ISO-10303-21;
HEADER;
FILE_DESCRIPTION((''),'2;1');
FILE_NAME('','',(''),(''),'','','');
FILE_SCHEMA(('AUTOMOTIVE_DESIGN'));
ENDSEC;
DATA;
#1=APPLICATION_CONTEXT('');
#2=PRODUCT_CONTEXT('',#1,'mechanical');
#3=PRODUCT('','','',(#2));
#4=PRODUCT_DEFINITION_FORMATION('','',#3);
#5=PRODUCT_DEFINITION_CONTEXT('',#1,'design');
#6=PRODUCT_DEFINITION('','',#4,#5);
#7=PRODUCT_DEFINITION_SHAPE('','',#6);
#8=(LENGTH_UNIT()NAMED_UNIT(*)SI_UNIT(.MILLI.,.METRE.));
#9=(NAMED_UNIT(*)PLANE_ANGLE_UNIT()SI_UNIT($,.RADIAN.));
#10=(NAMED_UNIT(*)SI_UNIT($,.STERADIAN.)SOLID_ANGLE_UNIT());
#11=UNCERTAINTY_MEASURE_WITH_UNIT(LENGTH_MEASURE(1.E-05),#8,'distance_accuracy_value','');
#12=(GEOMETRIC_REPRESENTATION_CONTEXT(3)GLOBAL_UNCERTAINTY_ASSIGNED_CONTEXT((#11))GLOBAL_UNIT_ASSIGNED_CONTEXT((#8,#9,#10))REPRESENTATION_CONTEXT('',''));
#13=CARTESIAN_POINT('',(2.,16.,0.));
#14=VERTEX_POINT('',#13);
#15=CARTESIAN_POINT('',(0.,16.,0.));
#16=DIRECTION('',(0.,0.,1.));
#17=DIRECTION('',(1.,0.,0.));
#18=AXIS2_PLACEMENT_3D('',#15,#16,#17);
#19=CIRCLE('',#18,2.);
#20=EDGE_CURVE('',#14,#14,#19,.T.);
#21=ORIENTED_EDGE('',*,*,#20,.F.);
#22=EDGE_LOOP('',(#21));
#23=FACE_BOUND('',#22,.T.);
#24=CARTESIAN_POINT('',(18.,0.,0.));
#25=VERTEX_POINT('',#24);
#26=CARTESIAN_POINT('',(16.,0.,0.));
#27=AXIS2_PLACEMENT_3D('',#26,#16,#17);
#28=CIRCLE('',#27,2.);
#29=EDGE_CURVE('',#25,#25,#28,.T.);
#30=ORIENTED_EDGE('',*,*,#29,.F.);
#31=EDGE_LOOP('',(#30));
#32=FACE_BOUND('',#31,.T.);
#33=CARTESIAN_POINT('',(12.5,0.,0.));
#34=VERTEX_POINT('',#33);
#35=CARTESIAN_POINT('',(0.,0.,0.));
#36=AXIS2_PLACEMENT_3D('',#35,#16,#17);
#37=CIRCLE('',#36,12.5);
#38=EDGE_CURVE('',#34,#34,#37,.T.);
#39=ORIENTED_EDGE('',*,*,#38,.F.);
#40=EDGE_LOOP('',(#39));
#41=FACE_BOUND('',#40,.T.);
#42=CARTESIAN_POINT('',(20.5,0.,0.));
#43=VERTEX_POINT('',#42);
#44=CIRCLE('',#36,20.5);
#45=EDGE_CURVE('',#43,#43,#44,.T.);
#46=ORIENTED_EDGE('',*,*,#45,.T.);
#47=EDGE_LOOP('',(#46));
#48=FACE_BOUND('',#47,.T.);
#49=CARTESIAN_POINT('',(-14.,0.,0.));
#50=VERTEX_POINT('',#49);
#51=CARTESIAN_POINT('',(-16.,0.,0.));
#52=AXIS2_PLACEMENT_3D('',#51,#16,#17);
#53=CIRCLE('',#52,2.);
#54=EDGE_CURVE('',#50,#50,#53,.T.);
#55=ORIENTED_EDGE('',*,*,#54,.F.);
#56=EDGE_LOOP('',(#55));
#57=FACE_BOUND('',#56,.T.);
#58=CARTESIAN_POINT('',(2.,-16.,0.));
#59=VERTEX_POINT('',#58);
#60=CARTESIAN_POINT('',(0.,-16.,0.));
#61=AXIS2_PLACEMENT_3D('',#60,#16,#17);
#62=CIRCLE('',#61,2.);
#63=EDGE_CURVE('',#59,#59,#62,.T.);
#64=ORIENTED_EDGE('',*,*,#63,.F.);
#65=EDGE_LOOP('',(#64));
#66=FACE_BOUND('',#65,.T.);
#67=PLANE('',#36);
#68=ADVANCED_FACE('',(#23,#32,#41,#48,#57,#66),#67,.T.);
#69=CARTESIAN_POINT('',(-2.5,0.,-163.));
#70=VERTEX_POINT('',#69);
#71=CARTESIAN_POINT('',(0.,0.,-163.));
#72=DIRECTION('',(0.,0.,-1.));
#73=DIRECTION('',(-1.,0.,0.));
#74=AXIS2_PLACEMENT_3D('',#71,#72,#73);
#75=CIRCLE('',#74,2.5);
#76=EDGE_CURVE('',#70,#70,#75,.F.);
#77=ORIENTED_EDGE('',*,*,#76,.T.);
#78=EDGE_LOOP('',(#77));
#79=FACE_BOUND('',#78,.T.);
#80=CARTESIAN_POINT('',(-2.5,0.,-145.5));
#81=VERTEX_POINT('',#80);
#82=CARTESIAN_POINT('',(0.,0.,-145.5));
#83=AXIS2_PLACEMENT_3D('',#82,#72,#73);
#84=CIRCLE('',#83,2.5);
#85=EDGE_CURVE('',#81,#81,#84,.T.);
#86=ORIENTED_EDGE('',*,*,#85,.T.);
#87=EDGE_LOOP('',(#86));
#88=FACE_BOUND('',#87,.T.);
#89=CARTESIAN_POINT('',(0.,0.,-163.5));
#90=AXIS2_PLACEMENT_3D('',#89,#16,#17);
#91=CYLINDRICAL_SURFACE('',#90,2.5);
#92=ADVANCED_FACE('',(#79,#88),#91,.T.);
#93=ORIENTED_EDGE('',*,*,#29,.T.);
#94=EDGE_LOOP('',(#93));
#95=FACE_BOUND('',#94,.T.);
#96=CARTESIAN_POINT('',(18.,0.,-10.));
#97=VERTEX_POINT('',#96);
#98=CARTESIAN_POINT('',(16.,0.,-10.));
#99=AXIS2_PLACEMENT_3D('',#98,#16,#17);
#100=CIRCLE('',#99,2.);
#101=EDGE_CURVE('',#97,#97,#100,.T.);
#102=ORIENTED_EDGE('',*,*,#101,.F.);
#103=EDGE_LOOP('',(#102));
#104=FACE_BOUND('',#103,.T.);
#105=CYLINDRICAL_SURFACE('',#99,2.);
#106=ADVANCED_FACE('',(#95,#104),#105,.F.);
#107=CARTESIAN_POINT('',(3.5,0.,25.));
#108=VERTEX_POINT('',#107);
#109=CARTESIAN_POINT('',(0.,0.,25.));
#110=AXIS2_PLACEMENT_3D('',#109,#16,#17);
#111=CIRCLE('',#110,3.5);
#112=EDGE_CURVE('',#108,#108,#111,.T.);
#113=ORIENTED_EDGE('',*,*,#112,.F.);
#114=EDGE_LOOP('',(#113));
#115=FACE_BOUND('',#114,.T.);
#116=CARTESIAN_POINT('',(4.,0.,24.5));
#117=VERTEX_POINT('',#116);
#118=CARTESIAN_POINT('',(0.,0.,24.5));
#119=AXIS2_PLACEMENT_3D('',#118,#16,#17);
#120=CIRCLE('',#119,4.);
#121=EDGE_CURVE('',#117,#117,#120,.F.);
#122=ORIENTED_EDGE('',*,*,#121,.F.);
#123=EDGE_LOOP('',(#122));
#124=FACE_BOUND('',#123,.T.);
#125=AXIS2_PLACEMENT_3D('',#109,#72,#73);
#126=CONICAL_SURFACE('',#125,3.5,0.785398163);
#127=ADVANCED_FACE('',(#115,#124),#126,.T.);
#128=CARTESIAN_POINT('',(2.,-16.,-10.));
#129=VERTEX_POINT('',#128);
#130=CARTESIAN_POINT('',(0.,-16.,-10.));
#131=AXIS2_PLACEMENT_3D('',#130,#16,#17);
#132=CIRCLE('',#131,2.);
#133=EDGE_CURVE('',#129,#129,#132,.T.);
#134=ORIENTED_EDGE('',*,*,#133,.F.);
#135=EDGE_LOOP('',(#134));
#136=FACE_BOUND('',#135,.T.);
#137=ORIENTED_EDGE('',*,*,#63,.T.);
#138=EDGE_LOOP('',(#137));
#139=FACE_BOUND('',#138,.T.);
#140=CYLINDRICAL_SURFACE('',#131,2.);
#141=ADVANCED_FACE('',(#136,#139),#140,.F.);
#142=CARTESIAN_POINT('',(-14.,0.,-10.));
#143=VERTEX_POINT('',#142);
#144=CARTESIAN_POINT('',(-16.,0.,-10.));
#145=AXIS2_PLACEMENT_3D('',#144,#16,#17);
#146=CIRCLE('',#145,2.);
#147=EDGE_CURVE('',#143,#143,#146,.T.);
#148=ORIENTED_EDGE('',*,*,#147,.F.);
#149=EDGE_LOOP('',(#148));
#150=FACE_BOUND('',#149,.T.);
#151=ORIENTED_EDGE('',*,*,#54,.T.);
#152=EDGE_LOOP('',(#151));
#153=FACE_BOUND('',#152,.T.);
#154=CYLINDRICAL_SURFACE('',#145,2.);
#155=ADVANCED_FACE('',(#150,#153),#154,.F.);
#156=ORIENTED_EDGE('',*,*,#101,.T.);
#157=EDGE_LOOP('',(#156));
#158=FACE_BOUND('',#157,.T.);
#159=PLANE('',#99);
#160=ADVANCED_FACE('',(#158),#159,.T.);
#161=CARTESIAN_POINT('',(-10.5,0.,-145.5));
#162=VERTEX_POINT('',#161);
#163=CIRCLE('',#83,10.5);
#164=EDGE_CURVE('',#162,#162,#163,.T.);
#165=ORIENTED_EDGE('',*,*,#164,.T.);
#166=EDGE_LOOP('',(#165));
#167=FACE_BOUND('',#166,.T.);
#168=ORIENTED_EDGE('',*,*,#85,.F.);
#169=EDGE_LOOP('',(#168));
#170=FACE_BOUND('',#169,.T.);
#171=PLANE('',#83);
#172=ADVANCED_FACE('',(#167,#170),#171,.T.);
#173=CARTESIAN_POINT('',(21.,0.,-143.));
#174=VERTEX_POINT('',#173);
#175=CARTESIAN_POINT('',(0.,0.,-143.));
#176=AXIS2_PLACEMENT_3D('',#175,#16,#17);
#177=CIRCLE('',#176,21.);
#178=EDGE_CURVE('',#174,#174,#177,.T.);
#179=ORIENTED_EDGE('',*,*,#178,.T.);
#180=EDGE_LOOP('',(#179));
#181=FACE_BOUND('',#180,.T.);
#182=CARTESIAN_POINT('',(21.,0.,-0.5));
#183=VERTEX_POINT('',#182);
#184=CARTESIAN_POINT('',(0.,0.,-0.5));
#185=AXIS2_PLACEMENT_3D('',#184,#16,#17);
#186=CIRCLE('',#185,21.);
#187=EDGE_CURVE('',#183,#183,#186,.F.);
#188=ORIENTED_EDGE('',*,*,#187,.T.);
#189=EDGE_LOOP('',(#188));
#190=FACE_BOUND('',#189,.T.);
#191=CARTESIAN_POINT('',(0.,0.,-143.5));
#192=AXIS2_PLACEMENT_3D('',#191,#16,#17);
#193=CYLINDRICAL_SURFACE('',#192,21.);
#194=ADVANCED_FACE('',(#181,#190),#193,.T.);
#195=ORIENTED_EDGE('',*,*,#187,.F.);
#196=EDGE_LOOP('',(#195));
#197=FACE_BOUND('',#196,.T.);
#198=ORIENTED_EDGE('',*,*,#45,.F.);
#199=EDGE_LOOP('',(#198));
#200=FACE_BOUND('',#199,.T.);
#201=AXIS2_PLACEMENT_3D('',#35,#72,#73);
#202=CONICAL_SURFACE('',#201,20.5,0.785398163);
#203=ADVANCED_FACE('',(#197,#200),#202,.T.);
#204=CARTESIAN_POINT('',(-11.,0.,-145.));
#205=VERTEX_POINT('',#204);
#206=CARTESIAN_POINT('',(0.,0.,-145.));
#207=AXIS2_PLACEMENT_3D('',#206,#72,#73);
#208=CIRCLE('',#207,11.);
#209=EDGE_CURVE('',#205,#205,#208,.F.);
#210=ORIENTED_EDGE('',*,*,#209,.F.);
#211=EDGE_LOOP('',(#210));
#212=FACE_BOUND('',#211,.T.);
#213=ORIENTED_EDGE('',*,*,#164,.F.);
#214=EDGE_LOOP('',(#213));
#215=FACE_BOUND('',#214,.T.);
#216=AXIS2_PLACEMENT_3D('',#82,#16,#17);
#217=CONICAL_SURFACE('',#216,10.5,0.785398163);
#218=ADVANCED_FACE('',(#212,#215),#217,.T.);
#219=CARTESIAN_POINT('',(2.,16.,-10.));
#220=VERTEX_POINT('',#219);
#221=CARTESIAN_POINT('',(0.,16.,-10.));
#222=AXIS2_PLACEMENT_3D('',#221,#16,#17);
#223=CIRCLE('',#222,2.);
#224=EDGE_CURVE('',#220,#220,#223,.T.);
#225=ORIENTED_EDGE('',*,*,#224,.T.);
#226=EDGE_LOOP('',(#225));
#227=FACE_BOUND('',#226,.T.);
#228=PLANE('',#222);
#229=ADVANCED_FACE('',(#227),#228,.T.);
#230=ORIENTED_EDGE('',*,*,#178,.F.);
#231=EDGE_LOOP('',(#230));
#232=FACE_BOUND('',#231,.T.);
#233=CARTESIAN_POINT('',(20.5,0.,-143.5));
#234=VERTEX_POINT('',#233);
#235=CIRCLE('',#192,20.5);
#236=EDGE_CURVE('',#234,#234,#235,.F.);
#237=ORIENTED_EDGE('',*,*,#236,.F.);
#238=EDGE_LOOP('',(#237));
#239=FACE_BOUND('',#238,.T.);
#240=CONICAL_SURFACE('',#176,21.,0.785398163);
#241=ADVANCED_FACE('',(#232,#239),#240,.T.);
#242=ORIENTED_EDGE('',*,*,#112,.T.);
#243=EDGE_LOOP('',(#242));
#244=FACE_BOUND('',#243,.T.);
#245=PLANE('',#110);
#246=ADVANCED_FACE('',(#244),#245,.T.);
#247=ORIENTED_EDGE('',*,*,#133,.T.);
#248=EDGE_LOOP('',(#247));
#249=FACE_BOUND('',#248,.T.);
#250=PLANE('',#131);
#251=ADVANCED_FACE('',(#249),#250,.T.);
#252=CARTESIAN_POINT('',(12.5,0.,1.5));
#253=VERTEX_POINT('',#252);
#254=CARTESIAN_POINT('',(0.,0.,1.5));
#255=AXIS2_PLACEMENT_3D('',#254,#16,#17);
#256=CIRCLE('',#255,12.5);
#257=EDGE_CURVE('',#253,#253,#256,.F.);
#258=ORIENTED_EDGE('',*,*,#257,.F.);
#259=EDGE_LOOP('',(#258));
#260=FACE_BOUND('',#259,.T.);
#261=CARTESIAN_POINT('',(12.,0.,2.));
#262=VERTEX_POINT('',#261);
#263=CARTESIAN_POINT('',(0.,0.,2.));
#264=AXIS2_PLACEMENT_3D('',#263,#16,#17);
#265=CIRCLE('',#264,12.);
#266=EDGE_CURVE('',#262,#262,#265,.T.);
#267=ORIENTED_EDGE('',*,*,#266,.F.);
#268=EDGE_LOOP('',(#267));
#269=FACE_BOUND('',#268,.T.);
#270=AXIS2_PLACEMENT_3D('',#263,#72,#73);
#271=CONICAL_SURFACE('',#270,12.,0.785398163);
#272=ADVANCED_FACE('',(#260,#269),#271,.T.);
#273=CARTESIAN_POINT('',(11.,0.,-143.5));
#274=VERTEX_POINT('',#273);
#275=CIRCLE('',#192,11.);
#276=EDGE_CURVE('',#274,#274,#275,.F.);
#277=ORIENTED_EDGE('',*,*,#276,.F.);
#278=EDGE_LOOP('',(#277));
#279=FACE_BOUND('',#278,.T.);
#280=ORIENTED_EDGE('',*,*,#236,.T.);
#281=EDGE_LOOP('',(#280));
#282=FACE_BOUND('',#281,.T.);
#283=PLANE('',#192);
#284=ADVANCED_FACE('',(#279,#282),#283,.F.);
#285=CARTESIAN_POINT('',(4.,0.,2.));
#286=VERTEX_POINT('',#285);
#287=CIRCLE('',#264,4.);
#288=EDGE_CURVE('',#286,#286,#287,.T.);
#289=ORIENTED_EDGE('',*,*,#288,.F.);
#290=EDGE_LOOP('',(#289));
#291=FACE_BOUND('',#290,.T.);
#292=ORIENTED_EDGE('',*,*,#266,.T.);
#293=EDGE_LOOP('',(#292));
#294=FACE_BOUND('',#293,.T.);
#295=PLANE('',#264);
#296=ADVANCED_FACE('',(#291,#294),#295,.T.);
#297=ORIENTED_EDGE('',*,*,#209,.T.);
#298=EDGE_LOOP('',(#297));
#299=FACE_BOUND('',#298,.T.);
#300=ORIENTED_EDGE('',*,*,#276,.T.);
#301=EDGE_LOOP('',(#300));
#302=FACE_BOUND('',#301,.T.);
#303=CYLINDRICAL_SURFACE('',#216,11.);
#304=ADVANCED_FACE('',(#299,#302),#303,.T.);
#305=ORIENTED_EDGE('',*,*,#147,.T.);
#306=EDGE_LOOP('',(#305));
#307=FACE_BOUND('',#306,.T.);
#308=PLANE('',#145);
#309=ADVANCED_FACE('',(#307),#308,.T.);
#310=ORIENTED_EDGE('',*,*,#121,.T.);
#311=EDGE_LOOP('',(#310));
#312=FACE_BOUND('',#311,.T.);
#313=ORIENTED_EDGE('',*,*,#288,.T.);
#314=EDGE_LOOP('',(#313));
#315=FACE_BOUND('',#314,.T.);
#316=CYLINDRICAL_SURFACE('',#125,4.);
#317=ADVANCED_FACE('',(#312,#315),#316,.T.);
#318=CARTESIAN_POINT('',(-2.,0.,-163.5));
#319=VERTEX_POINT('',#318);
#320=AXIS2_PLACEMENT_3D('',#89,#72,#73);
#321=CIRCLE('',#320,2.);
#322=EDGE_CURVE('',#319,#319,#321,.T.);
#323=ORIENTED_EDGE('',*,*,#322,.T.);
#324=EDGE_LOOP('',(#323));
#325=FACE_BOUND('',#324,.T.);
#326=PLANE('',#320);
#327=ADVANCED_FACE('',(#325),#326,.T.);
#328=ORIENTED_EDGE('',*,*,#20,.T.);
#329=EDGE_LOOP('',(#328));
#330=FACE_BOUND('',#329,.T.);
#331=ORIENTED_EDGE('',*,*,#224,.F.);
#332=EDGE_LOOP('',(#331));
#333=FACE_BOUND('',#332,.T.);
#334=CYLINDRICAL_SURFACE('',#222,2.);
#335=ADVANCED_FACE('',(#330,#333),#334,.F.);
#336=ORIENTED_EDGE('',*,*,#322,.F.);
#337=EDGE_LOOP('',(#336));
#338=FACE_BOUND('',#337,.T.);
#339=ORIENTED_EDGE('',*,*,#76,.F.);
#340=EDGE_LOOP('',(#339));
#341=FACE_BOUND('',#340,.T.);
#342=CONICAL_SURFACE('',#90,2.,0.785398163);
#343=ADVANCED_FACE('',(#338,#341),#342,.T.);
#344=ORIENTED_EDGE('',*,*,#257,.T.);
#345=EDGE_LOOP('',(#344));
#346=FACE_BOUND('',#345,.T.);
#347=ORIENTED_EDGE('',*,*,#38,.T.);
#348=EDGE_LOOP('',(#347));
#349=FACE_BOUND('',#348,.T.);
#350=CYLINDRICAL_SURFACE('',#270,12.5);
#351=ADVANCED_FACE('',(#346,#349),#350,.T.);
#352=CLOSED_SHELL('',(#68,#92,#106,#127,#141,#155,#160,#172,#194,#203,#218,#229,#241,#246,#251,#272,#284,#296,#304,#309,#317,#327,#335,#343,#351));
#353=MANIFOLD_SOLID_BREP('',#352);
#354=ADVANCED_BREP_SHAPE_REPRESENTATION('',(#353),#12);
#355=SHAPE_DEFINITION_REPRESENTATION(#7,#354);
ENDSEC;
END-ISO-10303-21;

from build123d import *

# Parameters (mm, degrees)
ESQUISSE1_R          = 21
BASE_EXTRUSION_DEPTH = 143.5
ESQUISSE2_R          = 12.5
BOSS_EXTRU_1_DEPTH   = 2
ESQUISSE3_R          = 4
BOSS_EXTRU_2_DEPTH   = 23
ESQUISSE4_R          = 11
BOSS_EXTRU_3_DEPTH   = 2
ESQUISSE5_R          = 2.5
BOSS_EXTRU_4_DEPTH   = 18
CHANFREIN1_SIZE      = 0.5
SKETCH1_R            = 2
EXTRUDE1_DEPTH       = 10


with BuildPart() as part:
    # Esquisse1 → Base-Extrusion (new body)
    with BuildSketch(Plane.XY):
        Circle(ESQUISSE1_R)
    extrude(amount=-BASE_EXTRUSION_DEPTH)

    # Esquisse2 → Boss.-Extru.1 (add)
    with BuildSketch(Plane.XY):
        Circle(ESQUISSE2_R)
    extrude(amount=BOSS_EXTRU_1_DEPTH)

    # Esquisse3 → Boss.-Extru.2 (add)
    with BuildSketch(Plane.XY.offset(2)):
        Circle(ESQUISSE3_R)
    extrude(amount=BOSS_EXTRU_2_DEPTH)

    # Esquisse4 → Boss.-Extru.3 (add)
    with BuildSketch(Plane(origin=(0, 0, -143.5), x_dir=(-1, 0, 0), z_dir=(0, 0, -1))):
        with Locations(Location((0, 0, 0), (0, 0, 180))):
            Circle(ESQUISSE4_R)
    extrude(amount=BOSS_EXTRU_3_DEPTH)

    # Esquisse5 → Boss.-Extru.4 (add)
    with BuildSketch(Plane(origin=(0, 0, -145.5), x_dir=(-1, 0, 0), z_dir=(0, 0, -1))):
        Circle(ESQUISSE5_R)
    extrude(amount=BOSS_EXTRU_4_DEPTH)

    # Chanfrein1
    chanfrein1_edges = [part.edges().sort_by_distance(p)[0] for p in [
        (-11, 0, -145.5),
        (2.5, 0, -163.5),
        (-21, 0, 0),
        (-21, 0, -143.5),
        (-12.5, 0, 2),
        (-4, 0, 25),
    ]]
    chamfer(chanfrein1_edges, length=CHANFREIN1_SIZE)

    # Sketch1 → Extrude1 (cut)
    with BuildSketch(Plane.XY):
        with Locations((0, 16)):
            Circle(SKETCH1_R)
        with Locations((16, 0)):
            Circle(SKETCH1_R)
        with Locations((0, -16)):
            Circle(SKETCH1_R)
        with Locations((-16, 0)):
            Circle(SKETCH1_R)
    extrude(amount=-EXTRUDE1_DEPTH, mode=Mode.SUBTRACT)


solid = part.part
